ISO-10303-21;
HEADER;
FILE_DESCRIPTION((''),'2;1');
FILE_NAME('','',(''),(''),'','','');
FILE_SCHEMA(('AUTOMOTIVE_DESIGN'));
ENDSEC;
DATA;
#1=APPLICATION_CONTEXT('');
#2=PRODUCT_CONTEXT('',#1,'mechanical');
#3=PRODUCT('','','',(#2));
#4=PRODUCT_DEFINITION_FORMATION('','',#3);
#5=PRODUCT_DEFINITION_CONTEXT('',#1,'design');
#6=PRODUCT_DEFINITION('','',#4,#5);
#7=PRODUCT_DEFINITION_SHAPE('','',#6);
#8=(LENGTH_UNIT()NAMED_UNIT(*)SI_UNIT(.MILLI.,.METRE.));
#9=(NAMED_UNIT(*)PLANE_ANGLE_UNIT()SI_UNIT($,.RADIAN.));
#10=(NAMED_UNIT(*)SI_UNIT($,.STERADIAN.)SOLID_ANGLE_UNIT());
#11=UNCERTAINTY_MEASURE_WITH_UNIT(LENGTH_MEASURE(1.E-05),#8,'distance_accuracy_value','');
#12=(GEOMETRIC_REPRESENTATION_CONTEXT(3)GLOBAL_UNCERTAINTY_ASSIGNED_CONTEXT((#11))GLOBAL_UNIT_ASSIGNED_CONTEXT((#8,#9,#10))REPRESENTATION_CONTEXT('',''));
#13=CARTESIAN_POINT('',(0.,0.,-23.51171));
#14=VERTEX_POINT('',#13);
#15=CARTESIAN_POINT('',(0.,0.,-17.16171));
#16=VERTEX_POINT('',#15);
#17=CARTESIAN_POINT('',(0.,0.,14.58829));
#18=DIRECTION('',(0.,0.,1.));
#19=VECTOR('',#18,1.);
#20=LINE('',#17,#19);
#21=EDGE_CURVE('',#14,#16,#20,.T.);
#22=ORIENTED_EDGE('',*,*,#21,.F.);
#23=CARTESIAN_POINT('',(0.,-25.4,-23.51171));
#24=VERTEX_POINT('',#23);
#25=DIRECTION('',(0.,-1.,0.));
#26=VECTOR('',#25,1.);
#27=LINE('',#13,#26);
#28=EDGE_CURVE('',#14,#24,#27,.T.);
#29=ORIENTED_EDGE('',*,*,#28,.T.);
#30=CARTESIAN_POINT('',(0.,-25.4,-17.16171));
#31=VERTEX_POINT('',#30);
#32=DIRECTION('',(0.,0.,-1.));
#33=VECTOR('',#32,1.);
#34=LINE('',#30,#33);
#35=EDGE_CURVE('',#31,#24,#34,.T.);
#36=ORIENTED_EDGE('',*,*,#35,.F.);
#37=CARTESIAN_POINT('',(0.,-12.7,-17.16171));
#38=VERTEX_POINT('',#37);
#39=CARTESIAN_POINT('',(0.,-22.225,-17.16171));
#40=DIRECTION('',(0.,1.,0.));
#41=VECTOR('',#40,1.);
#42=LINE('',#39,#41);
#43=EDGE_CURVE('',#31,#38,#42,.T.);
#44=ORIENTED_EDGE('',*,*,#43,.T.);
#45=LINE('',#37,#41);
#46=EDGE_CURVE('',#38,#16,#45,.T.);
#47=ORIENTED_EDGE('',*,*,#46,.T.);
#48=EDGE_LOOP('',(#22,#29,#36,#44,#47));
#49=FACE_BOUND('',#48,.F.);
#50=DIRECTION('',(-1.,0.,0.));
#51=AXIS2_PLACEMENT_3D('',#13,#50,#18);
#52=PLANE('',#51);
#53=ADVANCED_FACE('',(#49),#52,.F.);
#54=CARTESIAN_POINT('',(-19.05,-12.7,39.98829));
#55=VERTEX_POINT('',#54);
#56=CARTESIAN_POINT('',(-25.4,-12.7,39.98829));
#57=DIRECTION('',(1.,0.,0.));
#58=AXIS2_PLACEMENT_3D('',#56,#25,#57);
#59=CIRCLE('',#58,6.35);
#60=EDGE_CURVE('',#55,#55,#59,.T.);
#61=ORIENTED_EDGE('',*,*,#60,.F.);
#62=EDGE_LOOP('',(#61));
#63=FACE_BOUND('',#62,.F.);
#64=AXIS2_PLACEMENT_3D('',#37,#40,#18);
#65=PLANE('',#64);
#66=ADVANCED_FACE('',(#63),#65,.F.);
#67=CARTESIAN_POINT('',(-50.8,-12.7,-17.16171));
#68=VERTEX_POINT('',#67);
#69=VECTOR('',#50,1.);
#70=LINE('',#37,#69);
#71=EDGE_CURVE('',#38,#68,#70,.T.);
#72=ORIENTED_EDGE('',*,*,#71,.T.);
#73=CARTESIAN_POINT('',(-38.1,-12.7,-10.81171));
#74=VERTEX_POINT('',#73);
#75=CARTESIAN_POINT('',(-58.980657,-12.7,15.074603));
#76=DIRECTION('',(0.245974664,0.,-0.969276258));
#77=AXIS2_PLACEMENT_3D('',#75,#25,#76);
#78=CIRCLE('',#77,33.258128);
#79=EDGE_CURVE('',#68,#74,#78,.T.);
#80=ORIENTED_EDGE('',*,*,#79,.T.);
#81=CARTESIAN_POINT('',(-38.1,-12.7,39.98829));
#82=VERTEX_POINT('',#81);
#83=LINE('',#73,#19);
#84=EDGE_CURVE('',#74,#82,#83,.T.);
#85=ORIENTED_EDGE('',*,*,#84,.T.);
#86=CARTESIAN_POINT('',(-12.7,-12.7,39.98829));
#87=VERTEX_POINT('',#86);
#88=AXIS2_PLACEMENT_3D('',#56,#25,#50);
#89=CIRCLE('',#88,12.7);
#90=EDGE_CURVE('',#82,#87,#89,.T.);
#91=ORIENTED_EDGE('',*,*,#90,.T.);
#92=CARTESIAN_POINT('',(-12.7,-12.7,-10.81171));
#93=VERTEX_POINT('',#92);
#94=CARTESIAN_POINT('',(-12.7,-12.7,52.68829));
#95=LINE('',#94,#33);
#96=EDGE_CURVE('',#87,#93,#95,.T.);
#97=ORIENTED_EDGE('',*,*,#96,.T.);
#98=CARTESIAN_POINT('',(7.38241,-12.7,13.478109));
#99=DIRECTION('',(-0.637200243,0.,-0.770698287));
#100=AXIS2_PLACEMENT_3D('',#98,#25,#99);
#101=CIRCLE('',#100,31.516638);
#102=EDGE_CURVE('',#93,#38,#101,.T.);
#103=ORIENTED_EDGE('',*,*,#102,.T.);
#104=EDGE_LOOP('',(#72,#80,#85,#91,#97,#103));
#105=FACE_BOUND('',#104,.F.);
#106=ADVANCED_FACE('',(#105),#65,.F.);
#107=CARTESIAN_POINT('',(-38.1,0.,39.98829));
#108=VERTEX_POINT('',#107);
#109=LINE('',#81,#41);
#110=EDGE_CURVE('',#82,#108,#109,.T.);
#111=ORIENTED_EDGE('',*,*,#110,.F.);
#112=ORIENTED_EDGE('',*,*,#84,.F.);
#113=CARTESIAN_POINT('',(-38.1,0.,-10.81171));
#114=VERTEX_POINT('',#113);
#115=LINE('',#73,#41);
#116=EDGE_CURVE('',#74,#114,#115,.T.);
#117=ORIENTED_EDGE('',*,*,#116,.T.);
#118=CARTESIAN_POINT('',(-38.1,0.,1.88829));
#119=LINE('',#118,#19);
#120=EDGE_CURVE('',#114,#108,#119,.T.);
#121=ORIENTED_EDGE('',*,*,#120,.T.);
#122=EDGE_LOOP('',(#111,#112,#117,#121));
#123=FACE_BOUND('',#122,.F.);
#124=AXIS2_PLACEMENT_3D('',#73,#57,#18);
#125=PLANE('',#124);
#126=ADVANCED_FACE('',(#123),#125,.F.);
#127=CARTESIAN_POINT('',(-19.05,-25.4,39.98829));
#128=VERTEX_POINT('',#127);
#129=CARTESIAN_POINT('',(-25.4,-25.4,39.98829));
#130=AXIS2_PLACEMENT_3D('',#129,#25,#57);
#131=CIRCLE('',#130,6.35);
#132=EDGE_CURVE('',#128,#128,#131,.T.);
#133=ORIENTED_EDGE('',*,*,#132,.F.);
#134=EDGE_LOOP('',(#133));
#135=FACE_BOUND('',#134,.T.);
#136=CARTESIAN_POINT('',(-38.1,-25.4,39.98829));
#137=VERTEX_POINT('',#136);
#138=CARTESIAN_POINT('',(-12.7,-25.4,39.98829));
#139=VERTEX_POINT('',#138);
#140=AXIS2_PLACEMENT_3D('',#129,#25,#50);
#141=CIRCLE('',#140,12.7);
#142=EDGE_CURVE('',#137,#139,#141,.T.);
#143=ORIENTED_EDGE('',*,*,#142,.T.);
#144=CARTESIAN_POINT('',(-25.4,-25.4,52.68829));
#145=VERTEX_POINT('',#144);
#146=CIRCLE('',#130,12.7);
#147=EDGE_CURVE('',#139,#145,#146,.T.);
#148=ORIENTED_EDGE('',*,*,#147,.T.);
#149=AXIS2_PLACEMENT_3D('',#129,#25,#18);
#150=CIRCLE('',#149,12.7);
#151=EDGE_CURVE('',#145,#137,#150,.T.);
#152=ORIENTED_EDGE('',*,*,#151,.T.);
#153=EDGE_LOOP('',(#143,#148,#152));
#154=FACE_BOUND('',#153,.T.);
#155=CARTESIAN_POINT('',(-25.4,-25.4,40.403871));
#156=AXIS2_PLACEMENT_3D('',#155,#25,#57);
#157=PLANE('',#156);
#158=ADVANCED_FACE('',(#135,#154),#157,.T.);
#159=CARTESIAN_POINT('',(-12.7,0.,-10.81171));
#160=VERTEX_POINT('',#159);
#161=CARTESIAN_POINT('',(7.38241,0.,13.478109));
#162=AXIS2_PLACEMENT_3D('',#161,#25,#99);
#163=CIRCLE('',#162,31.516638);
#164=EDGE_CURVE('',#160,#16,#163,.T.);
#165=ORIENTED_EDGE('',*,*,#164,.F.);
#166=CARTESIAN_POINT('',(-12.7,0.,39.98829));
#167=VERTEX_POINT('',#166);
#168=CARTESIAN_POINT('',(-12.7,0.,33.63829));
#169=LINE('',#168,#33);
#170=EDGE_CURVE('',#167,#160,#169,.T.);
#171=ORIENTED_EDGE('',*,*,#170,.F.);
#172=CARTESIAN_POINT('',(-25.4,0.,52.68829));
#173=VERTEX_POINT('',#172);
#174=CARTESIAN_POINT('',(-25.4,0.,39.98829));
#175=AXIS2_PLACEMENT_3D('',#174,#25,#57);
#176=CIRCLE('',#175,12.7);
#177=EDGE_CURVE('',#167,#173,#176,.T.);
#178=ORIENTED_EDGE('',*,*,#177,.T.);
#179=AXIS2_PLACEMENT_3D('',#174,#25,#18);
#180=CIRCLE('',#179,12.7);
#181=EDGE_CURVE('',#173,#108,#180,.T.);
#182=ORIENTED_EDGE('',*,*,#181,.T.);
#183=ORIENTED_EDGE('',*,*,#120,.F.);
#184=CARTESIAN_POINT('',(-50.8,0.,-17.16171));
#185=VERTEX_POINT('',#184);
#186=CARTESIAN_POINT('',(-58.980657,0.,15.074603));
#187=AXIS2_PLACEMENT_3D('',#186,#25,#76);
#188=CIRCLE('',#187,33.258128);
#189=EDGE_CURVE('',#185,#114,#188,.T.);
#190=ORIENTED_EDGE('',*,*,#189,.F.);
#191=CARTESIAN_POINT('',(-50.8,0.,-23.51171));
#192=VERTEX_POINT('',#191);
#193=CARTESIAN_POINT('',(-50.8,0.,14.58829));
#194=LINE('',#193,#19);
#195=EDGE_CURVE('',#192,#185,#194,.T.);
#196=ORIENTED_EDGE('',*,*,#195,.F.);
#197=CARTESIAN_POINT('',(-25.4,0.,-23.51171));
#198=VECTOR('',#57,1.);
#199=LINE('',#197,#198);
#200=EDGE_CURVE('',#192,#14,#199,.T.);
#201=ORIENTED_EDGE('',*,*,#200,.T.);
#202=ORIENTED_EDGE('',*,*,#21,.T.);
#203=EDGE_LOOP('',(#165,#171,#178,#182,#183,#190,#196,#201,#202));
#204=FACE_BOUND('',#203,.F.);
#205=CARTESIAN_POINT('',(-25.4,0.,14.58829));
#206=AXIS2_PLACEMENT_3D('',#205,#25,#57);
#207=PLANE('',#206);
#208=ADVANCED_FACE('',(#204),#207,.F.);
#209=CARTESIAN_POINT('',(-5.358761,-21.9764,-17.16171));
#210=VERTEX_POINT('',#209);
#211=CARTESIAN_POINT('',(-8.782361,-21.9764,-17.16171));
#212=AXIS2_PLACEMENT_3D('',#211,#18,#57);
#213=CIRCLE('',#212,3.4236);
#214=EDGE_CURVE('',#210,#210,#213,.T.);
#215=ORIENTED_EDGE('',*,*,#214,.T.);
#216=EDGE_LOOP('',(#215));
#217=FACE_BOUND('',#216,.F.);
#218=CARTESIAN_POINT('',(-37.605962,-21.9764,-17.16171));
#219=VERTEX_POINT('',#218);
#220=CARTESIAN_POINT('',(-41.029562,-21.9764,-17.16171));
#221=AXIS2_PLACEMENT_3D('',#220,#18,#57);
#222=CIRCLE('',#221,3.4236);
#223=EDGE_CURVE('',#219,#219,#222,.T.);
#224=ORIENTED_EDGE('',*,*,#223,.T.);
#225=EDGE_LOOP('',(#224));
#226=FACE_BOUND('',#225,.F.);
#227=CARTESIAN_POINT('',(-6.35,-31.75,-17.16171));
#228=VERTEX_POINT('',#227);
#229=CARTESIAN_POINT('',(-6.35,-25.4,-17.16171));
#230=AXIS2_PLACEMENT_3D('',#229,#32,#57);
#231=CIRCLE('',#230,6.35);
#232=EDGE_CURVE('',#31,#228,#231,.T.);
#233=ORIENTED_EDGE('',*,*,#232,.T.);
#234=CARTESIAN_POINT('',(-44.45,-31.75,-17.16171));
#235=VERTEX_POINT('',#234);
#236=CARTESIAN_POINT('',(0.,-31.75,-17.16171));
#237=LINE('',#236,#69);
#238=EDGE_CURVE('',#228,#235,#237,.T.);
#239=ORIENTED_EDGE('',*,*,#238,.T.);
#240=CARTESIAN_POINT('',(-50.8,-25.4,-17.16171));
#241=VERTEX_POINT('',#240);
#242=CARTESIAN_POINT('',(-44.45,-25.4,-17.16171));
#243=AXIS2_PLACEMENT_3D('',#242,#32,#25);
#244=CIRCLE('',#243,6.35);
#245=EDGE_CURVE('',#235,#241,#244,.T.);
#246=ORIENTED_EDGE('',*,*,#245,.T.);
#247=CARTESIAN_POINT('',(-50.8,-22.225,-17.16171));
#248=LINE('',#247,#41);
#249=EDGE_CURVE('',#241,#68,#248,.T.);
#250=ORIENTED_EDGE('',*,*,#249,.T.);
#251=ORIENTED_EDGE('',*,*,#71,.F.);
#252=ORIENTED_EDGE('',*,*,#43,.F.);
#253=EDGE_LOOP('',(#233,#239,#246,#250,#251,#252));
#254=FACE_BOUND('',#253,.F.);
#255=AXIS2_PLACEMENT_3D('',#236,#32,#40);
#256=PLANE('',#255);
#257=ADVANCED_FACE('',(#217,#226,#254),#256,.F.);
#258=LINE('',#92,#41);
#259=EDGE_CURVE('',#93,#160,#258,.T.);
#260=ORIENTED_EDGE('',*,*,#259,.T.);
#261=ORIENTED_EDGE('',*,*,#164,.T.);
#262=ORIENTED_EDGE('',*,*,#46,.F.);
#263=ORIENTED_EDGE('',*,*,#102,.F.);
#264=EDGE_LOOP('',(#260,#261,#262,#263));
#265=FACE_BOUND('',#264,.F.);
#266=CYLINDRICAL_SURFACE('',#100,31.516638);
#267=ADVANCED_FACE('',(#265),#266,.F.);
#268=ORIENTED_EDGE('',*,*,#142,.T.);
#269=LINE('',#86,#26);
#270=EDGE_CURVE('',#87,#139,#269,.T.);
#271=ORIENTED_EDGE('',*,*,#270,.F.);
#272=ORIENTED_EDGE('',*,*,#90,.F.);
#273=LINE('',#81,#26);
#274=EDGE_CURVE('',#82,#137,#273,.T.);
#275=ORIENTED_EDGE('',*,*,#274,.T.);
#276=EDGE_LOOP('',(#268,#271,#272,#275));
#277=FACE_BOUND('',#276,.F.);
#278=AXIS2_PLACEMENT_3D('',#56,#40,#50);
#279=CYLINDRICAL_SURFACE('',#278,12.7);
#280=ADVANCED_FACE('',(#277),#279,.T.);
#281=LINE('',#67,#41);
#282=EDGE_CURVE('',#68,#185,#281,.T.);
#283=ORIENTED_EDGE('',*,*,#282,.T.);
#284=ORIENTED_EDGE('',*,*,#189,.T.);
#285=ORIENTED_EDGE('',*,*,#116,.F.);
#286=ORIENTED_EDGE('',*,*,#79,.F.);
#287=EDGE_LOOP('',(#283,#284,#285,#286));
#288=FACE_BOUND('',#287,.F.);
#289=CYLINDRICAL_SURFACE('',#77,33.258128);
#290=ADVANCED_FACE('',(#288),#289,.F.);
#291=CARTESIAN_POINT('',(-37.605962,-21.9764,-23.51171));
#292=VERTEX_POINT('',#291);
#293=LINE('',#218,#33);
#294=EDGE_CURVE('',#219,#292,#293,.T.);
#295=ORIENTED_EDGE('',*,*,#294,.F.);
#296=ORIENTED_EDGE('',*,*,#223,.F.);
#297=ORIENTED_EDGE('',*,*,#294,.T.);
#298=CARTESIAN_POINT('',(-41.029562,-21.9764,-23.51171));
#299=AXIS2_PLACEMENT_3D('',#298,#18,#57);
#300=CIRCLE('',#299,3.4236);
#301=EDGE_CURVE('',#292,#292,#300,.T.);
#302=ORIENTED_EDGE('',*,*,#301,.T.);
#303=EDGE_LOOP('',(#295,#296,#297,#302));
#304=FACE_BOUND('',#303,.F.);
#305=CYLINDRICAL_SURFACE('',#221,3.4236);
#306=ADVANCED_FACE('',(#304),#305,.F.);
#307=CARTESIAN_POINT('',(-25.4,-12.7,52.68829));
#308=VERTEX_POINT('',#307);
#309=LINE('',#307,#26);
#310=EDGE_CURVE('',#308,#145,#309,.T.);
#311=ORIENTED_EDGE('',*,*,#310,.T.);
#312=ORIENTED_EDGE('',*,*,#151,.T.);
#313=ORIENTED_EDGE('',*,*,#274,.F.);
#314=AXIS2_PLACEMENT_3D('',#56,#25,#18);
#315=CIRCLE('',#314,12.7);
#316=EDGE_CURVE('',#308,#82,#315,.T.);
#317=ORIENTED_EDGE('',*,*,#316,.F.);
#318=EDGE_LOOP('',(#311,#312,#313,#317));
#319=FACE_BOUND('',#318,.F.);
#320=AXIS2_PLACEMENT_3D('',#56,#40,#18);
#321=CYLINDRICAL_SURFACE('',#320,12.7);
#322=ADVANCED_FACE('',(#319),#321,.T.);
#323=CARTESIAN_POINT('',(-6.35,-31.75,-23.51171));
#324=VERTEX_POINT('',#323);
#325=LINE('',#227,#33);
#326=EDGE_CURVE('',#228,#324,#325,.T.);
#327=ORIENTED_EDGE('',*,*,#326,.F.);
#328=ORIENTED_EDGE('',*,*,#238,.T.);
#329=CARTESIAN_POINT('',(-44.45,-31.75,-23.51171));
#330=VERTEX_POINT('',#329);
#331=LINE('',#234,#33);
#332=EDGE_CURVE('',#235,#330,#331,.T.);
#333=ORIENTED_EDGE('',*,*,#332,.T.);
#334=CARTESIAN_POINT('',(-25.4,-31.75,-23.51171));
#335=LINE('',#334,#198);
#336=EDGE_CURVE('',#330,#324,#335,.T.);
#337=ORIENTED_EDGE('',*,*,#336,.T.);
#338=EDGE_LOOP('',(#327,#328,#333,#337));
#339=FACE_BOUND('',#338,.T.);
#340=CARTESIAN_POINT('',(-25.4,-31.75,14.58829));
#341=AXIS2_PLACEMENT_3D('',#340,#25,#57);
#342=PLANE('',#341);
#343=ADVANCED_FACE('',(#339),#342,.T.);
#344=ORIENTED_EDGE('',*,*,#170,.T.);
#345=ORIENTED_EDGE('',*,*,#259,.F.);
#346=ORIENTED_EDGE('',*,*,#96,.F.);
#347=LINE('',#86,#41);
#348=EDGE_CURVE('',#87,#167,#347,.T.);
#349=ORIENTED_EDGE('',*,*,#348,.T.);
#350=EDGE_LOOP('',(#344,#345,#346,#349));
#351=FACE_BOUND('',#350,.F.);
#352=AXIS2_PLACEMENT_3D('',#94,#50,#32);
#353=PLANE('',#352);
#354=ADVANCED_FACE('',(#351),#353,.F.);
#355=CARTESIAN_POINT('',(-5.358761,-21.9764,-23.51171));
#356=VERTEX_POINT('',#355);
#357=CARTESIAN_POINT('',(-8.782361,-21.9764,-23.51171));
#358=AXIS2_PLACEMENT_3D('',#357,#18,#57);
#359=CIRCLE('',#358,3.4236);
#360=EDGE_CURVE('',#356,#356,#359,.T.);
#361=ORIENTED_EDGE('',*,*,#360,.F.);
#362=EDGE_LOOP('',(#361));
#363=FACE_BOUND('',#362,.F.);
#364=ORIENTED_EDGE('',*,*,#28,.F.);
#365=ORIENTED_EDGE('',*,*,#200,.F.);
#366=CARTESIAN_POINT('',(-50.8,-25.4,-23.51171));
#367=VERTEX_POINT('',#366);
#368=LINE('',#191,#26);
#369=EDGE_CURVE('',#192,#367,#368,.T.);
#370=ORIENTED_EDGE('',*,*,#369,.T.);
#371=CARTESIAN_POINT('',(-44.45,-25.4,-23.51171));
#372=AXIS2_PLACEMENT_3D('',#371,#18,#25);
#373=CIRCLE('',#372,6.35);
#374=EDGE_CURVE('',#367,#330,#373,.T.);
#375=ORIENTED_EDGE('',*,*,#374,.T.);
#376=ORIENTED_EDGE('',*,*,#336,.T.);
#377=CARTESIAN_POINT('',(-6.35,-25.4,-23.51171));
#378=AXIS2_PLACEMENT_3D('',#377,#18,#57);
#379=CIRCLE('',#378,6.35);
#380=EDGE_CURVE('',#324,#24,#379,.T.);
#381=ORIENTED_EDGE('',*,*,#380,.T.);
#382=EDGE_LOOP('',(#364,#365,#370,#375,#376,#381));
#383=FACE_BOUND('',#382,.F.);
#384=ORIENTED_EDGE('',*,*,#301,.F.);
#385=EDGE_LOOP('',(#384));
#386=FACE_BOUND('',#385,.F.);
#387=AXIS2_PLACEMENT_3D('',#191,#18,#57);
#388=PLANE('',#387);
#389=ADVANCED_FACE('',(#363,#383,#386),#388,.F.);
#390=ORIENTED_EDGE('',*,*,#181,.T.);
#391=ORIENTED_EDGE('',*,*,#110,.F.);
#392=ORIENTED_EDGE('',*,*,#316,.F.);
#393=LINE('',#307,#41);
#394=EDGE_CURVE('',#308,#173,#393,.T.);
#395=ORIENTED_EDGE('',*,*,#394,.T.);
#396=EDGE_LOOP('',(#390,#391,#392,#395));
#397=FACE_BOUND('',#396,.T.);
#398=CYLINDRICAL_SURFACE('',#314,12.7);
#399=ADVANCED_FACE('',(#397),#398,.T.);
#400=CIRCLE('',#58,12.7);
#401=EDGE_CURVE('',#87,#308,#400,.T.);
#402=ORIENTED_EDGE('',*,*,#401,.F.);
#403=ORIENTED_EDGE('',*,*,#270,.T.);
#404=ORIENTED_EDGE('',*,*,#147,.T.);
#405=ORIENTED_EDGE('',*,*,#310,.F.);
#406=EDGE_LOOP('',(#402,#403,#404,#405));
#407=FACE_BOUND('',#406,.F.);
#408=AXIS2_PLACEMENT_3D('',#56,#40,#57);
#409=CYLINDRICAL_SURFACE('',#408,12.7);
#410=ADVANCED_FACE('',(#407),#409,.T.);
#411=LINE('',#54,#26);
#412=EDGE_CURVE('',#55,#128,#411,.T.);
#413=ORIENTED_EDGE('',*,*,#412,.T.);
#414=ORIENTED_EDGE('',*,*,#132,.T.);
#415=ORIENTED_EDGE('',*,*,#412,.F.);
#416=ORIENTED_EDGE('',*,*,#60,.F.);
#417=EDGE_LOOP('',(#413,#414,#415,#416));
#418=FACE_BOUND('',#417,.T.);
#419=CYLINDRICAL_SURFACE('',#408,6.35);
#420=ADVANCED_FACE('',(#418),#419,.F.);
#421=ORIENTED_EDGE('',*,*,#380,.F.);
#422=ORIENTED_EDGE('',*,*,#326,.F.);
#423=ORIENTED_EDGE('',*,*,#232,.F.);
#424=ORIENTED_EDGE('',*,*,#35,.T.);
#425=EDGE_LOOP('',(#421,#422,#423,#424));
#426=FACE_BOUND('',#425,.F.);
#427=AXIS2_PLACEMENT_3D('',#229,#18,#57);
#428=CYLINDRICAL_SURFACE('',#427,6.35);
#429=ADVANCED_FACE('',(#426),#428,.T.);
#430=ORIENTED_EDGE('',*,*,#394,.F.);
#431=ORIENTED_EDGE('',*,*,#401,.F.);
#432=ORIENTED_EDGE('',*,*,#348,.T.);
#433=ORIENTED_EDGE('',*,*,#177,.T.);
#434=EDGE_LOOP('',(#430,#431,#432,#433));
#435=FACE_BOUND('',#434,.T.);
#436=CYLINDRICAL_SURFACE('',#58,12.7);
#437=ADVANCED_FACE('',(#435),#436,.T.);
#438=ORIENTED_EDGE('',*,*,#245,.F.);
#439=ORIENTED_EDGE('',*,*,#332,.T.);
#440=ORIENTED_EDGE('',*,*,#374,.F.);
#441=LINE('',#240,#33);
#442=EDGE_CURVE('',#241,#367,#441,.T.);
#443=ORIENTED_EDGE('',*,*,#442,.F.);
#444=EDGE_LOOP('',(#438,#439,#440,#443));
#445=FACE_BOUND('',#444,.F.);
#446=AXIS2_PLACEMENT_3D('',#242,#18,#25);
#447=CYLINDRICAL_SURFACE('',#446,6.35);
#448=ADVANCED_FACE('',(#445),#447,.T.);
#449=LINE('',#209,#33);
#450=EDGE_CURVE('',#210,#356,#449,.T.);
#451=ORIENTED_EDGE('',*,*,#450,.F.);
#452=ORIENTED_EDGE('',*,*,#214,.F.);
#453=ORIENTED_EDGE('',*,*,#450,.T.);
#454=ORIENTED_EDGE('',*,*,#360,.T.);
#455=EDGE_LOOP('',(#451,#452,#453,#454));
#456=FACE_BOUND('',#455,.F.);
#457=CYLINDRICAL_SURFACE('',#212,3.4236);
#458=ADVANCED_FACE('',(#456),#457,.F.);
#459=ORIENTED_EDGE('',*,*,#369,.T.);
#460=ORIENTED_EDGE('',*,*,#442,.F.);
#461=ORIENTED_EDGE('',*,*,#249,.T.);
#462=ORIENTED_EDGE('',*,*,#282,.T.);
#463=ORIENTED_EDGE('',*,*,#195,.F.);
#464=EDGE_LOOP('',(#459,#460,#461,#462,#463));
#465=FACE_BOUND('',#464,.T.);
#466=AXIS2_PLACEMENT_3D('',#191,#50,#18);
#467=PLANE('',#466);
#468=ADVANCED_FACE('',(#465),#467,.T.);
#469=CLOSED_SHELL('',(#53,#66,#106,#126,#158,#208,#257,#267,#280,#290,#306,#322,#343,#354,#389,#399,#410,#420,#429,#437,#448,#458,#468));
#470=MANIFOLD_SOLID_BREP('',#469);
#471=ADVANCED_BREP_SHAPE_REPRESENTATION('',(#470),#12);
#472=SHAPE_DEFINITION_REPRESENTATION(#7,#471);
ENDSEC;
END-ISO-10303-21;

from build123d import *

# Parameters (mm, degrees)
F0_W      = 50.8
F0_H      = 76.2
F1_DEPTH  = 31.75
F2_W      = 19.05
F2_H      = 69.85
F3_DEPTH  = 50.8
F5_DEPTH  = 25.4
F6_R      = 6.35
F7_DEPTH  = 12.7
F8_DEPTH  = 25.4
F9_R      = 3.4236002905
F10_DEPTH = 25.4


with BuildPart() as f1:
    # F0 (on Front) → F1 (new body)
    with BuildSketch(Plane.XZ):
        with Locations((-25.4, 14.5882895922)):
            Rectangle(F0_W, F0_H)
    extrude(amount=F1_DEPTH)

    # F2 (on face) → F3 (cut)
    with BuildSketch(Plane.YZ):
        with Locations((-22.225, 17.7632895922)):
            Rectangle(F2_W, F2_H)
    extrude(amount=-F3_DEPTH, mode=Mode.SUBTRACT)

    # F4 (on face) → F5 (cut)
    with BuildSketch(Plane.XZ.offset(12.7)):
        with BuildLine():
            Line((-50.8, 52.6882895922), (-50.8, -17.1617104078))
            ThreePointArc((-50.8, -17.1617104078), (-44.1071699177, -14.6723705724), (-38.1, -10.8117104078))
            Line((-38.1, -10.8117104078), (-38.1, 52.6882895922))
            Line((-38.1, 52.6882895922), (-50.8, 52.6882895922))
        make_face()
        with BuildLine():
            Line((-12.7, 52.6882895922), (-12.7, -10.8117104078))
            ThreePointArc((-12.7, -10.8117104078), (-6.7122595502, -14.7112295081), (0, -17.1617104078))
            Line((0, -17.1617104078), (0, 52.6882895922))
            Line((0, 52.6882895922), (-12.7, 52.6882895922))
        make_face()
    extrude(amount=-F5_DEPTH, mode=Mode.SUBTRACT)

    # F6 (on face) → F7 (join)
    with BuildSketch(Plane.XZ.offset(12.7)):
        with BuildLine():
            ThreePointArc((-38.1, 39.9882895922), (-25.4, 27.2882895922), (-12.7, 39.9882895922))
            ThreePointArc((-12.7, 39.9882895922), (-16.4197438789, 48.9685457133), (-25.4, 52.6882895922))
            ThreePointArc((-25.4, 52.6882895922), (-34.3802561211, 48.9685457133), (-38.1, 39.9882895922))
        make_face()
        with Locations((-25.4, 39.9882895922)):
            Circle(F6_R, mode=Mode.SUBTRACT)
    extrude(amount=F7_DEPTH)

    # F8 (cut): faces of the model
    f8_faces = [f1.faces().sort_by_distance(p)[0] for p in [
        (-35.2632271754, -12.7, 49.8515167676),
        (-15.5367728246, -12.7, 49.8515167676),
    ]]
    extrude(f8_faces, amount=-F8_DEPTH, mode=Mode.SUBTRACT)

    # F9 (on face) → F10 (cut)
    with BuildSketch(Plane.XY.offset(-17.1617104078)):
        with Locations((-41.0295619067, -21.9763997095)):
            Circle(F9_R)
        with Locations((-8.7823613257, -21.9763997095)):
            Circle(F9_R)
        with BuildLine():
            Line((-50.8, -31.75), (-44.45, -31.75))
            ThreePointArc((-44.45, -31.75), (-48.9401280605, -29.8901280605), (-50.8, -25.4))
            Line((-50.8, -25.4), (-50.8, -31.75))
        make_face()
        with BuildLine():
            ThreePointArc((0, -25.4), (-1.8598719395, -29.8901280605), (-6.35, -31.75))
            Line((-6.35, -31.75), (0, -31.75))
            Line((0, -31.75), (0, -25.4))
        make_face()
    extrude(amount=-F10_DEPTH, mode=Mode.SUBTRACT)


solid = f1.part
